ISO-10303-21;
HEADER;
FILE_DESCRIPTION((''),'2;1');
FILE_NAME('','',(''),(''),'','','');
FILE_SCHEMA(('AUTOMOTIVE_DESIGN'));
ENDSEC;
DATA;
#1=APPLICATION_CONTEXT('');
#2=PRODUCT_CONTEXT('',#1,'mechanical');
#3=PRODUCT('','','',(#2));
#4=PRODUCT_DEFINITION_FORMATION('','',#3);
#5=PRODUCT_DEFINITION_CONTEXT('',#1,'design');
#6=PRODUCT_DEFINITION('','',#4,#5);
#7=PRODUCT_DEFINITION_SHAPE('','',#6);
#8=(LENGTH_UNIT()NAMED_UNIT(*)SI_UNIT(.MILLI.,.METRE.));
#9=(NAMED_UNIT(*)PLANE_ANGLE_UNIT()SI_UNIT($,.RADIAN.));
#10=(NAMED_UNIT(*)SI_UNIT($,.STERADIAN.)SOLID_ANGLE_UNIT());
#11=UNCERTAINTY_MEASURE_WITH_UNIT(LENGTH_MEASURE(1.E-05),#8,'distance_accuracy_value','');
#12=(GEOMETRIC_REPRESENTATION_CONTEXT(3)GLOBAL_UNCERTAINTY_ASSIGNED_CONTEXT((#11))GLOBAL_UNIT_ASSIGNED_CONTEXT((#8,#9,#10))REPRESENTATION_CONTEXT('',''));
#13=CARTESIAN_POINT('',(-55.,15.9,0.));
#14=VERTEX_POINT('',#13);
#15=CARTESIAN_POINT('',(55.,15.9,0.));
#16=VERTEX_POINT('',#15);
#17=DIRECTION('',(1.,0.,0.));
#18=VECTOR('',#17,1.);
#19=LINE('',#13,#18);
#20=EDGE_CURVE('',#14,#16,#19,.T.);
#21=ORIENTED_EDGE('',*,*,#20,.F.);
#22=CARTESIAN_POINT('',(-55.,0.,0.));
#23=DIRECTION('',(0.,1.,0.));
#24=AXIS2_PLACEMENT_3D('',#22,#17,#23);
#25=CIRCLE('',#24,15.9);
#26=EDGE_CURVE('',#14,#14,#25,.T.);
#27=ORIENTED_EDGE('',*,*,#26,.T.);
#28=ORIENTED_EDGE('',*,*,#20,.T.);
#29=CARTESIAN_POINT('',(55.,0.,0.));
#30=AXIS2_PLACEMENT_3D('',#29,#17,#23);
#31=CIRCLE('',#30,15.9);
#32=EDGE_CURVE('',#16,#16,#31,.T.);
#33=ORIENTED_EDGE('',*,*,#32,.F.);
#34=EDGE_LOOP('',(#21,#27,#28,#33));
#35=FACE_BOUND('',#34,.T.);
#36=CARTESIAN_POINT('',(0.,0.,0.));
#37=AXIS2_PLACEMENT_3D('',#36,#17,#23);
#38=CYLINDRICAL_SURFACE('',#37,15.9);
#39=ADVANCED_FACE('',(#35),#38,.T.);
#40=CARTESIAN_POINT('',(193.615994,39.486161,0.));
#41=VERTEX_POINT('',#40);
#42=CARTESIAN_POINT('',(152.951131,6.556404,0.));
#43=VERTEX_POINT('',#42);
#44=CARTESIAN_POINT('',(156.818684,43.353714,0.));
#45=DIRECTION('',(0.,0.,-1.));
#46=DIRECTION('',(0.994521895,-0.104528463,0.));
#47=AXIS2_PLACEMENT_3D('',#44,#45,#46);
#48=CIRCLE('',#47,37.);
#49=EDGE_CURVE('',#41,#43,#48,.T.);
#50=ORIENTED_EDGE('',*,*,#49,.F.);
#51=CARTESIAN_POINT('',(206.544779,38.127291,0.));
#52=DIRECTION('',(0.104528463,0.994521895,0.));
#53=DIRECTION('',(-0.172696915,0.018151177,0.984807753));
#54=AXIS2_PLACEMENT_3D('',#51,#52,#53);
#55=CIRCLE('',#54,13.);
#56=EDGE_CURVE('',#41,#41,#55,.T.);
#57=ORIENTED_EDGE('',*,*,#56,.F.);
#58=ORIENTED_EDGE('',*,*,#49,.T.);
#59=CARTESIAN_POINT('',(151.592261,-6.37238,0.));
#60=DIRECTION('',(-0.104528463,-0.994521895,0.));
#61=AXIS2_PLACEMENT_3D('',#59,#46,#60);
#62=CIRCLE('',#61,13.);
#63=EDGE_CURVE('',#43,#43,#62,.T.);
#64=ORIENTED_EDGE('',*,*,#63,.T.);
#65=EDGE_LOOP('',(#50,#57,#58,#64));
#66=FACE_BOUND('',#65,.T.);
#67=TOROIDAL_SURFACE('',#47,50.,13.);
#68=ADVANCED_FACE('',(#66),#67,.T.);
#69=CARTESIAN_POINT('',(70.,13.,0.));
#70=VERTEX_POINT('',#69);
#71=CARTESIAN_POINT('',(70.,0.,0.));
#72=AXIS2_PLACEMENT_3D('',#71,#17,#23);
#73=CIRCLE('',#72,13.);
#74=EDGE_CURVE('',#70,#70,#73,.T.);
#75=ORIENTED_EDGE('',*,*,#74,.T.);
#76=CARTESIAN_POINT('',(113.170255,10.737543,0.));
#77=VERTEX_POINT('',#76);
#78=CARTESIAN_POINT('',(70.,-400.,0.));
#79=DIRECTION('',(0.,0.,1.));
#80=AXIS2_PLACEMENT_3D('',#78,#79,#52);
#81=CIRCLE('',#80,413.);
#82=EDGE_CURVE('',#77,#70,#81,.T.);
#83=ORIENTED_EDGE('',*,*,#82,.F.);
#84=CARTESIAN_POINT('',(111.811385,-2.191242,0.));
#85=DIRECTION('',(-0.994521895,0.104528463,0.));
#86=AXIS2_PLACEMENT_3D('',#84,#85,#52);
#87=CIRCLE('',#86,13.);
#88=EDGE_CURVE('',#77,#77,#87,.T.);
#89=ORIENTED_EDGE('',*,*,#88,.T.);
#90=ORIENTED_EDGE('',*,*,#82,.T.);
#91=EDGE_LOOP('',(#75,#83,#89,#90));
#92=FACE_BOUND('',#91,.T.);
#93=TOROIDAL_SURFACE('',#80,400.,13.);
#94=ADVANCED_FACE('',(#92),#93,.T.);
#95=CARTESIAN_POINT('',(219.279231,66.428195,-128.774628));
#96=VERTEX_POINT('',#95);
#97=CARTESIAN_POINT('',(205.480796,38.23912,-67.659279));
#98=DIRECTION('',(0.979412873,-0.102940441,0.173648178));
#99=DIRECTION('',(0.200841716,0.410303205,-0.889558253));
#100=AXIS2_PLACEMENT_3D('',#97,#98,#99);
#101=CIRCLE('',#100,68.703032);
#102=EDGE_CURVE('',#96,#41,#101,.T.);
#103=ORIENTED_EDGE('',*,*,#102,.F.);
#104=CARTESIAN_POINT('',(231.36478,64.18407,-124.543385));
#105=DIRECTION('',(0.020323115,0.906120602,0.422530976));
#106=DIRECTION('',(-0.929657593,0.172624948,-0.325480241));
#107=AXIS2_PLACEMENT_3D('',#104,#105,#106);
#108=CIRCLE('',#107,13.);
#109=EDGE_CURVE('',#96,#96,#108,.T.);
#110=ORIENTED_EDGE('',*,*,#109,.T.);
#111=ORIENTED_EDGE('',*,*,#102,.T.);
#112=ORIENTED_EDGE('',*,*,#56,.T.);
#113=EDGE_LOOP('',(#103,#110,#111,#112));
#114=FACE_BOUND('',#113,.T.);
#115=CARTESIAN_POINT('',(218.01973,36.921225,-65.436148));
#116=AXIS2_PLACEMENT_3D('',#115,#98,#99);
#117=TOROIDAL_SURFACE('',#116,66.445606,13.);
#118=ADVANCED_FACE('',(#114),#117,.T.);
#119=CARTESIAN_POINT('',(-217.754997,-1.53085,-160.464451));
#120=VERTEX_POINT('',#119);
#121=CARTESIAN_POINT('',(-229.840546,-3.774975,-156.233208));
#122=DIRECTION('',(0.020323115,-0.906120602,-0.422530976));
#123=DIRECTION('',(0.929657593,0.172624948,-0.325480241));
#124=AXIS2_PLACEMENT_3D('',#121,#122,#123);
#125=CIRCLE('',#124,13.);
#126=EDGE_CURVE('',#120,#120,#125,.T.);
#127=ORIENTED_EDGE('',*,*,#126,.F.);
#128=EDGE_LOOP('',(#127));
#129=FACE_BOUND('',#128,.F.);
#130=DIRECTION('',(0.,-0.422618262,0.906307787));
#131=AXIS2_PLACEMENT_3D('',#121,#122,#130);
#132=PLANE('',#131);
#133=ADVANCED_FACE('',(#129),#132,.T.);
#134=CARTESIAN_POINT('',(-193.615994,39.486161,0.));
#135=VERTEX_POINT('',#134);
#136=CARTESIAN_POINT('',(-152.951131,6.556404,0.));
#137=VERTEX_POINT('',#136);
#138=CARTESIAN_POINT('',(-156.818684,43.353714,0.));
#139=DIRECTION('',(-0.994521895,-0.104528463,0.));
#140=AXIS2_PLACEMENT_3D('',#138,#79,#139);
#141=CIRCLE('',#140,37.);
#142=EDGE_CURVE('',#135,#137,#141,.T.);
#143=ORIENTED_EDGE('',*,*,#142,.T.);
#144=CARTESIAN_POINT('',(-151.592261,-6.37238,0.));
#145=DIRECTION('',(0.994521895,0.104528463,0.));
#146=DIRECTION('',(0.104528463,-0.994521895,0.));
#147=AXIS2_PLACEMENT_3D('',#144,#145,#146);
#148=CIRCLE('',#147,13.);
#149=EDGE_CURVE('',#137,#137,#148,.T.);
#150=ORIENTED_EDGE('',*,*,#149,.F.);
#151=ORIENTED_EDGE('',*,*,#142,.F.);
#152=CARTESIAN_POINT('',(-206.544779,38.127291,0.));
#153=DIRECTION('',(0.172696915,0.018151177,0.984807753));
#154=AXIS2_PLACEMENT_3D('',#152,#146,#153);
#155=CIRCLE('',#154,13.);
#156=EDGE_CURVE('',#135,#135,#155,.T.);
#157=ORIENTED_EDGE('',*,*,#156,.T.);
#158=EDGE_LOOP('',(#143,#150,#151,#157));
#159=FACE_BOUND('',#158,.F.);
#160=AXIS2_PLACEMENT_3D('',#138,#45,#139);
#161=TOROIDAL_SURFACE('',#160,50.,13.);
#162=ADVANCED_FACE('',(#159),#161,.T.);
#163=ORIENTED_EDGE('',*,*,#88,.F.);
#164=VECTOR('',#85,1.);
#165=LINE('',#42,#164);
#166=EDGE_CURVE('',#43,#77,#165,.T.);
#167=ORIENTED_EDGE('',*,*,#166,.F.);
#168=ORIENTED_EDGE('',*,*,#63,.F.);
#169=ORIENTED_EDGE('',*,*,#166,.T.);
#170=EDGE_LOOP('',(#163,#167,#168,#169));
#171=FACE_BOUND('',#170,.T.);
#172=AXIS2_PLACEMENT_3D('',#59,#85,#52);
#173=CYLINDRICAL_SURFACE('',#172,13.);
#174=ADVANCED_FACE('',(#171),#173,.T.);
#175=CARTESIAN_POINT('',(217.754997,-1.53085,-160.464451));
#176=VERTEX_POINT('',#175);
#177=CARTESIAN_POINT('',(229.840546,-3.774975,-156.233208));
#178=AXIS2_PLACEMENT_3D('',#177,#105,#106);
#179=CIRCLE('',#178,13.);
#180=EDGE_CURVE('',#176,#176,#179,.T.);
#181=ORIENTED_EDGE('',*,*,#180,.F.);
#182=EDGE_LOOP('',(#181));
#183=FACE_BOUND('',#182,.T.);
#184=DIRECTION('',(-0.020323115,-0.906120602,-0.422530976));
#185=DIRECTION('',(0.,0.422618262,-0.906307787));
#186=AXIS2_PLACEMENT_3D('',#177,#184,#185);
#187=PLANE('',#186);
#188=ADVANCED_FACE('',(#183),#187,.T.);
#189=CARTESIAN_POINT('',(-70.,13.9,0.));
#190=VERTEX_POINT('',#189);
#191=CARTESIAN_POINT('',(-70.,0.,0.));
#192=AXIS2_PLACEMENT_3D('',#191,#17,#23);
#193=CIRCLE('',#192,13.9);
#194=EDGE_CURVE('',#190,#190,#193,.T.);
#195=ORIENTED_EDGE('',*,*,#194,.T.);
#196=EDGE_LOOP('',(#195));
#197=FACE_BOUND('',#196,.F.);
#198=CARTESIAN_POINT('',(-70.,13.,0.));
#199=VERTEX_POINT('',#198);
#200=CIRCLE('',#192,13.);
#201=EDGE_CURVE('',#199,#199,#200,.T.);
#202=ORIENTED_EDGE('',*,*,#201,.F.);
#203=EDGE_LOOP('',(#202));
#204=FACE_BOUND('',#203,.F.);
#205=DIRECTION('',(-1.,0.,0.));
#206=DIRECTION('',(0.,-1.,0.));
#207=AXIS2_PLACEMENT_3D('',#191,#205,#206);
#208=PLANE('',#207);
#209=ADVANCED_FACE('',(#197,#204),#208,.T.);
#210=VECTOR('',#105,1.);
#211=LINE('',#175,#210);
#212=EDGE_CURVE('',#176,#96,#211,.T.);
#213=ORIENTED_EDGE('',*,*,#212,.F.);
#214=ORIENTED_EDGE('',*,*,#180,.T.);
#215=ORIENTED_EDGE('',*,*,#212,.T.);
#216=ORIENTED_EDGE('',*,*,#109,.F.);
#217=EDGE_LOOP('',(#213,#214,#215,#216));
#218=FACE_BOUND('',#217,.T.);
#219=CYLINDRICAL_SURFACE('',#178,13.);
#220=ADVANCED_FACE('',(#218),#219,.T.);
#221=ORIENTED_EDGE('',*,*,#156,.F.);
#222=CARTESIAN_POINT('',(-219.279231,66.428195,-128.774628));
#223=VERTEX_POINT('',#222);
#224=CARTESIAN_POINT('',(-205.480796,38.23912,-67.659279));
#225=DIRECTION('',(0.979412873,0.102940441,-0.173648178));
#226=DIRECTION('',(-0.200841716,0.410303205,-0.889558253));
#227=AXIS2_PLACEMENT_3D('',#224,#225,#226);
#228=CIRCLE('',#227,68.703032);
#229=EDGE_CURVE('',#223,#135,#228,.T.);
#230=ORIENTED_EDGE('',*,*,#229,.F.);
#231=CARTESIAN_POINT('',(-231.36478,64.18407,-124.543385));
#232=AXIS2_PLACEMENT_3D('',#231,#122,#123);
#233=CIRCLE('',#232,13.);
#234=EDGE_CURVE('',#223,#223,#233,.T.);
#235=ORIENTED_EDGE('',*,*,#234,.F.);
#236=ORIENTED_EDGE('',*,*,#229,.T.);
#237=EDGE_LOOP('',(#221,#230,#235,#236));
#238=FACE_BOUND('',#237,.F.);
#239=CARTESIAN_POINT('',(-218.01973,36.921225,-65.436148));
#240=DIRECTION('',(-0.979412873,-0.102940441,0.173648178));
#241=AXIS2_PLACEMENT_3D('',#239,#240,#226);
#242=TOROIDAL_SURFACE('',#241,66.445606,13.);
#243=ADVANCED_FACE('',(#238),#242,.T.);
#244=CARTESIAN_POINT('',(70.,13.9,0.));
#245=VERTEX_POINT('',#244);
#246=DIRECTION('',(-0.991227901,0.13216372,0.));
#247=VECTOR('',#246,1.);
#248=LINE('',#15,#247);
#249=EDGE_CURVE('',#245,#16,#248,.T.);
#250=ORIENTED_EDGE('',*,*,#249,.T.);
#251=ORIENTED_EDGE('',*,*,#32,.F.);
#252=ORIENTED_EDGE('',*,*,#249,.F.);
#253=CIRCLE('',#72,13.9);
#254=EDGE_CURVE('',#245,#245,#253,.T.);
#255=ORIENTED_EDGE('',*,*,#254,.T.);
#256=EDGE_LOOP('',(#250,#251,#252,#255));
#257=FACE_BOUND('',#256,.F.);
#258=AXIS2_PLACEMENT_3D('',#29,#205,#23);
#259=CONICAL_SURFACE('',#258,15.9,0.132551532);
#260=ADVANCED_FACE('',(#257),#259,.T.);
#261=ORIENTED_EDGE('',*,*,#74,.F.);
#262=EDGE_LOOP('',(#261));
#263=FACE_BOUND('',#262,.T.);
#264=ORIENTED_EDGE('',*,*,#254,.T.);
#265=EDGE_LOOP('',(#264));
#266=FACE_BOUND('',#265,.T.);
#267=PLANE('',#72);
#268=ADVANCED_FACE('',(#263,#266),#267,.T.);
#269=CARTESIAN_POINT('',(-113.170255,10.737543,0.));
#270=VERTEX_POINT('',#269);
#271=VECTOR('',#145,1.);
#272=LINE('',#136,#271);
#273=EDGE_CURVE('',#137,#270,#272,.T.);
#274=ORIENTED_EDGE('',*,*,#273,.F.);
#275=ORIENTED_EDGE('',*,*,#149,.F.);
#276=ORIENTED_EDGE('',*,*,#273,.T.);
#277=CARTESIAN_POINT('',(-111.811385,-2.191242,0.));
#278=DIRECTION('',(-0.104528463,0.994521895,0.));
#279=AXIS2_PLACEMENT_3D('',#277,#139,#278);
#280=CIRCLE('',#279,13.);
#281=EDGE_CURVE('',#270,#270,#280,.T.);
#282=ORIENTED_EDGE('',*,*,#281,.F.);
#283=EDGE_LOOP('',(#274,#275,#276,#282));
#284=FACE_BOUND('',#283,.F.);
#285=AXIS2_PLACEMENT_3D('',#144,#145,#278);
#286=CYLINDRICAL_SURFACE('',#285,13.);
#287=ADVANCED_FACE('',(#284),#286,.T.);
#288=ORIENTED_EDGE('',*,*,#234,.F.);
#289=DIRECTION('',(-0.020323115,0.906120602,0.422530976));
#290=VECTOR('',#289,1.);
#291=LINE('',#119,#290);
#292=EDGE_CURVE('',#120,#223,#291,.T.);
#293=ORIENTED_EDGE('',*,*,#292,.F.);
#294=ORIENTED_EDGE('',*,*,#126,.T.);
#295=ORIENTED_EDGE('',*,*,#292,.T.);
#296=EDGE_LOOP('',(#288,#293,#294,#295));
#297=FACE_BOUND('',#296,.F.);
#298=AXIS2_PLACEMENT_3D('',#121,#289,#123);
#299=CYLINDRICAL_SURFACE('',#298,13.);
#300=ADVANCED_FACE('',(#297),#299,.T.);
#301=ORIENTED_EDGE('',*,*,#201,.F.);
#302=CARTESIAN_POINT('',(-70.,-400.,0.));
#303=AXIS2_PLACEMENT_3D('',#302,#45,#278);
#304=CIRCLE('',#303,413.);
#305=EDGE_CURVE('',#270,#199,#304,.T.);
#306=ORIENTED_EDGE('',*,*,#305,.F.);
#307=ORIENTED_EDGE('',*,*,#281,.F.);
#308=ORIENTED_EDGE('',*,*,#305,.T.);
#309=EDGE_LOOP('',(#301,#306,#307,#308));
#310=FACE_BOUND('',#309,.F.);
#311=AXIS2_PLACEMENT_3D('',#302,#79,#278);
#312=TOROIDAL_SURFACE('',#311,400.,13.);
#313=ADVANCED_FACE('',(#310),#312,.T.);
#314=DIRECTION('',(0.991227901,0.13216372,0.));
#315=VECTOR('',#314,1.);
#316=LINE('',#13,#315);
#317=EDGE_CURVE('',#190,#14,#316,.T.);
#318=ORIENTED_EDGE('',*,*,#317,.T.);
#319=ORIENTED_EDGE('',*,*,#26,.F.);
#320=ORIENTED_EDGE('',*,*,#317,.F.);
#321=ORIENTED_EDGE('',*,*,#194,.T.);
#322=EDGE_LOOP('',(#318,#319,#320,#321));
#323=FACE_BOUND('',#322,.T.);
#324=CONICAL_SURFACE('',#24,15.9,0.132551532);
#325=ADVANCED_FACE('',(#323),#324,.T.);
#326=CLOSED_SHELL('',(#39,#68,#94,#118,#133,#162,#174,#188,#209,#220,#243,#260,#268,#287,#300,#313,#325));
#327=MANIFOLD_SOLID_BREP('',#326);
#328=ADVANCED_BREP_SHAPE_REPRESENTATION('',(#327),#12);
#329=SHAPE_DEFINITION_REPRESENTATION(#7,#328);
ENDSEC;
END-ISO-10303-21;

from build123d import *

# Parameters (mm, degrees)
F0_R      = 13
F0_R_2    = 15.9
F9_DEPTH  = 70
F10_SIZE2 = 15
F10_SIZE  = 2


with BuildPart() as f8:
    # F8: sweep along a path in F7, F1
    with BuildLine(Plane(origin=(194.2839527394, -20.4200662771, 34.4462026891), x_dir=(-0.1013596641, -0.9946875216, -0.01797089), z_dir=(-0.9794128731, 0.102940441, -0.1736481777))) as f8_path:
        Line((-16.7339904604, -193.958608329), (-85.055994784, -163.0215152981))
        ThreePointArc((-85.055994784, -163.0215152981), (-122.7224511399, -89.0655745033), (-58.8600502451, -36.0576801367))
    with BuildLine(Plane.XY) as f8_path_2:
        ThreePointArc((206.5447790536, 38.1272912216), (188.2847038377, 4.4964163122), (151.5922611218, -6.3723803834))
        Line((151.5922611218, -6.3723803834), (111.8113853071, -2.1912418527))
        ThreePointArc((111.8113853071, -2.1912418527), (90.9343824972, -0.5481860982), (70, 0))
        Line((70, 0), (0, 0))
    # F0 (on Right) → F8 (sweep)
    with BuildSketch(Plane.YZ):
        Circle(F0_R)
    sweep(path=f8_path.line + f8_path_2.line)

    # F0 (on Right) → F9 (join)
    with BuildSketch(Plane.YZ):
        Circle(F0_R_2)
        Circle(F0_R, mode=Mode.SUBTRACT)
    extrude(amount=F9_DEPTH)

    # F10
    f10_edges = [f8.edges().sort_by_distance(p)[0] for p in [
        (70, -15.9, 0),
    ]]
    f10_side = f8.faces().sort_by_distance((70, -15.45028, 0))[0]
    chamfer(f10_edges, length=F10_SIZE, length2=F10_SIZE2, reference=f10_side)

    # F11: F8 across plane


with BuildPart() as f8_1:
    add(f8.part)
    add(f8.part.mirror(Plane.YZ))


solid = f8_1.part
